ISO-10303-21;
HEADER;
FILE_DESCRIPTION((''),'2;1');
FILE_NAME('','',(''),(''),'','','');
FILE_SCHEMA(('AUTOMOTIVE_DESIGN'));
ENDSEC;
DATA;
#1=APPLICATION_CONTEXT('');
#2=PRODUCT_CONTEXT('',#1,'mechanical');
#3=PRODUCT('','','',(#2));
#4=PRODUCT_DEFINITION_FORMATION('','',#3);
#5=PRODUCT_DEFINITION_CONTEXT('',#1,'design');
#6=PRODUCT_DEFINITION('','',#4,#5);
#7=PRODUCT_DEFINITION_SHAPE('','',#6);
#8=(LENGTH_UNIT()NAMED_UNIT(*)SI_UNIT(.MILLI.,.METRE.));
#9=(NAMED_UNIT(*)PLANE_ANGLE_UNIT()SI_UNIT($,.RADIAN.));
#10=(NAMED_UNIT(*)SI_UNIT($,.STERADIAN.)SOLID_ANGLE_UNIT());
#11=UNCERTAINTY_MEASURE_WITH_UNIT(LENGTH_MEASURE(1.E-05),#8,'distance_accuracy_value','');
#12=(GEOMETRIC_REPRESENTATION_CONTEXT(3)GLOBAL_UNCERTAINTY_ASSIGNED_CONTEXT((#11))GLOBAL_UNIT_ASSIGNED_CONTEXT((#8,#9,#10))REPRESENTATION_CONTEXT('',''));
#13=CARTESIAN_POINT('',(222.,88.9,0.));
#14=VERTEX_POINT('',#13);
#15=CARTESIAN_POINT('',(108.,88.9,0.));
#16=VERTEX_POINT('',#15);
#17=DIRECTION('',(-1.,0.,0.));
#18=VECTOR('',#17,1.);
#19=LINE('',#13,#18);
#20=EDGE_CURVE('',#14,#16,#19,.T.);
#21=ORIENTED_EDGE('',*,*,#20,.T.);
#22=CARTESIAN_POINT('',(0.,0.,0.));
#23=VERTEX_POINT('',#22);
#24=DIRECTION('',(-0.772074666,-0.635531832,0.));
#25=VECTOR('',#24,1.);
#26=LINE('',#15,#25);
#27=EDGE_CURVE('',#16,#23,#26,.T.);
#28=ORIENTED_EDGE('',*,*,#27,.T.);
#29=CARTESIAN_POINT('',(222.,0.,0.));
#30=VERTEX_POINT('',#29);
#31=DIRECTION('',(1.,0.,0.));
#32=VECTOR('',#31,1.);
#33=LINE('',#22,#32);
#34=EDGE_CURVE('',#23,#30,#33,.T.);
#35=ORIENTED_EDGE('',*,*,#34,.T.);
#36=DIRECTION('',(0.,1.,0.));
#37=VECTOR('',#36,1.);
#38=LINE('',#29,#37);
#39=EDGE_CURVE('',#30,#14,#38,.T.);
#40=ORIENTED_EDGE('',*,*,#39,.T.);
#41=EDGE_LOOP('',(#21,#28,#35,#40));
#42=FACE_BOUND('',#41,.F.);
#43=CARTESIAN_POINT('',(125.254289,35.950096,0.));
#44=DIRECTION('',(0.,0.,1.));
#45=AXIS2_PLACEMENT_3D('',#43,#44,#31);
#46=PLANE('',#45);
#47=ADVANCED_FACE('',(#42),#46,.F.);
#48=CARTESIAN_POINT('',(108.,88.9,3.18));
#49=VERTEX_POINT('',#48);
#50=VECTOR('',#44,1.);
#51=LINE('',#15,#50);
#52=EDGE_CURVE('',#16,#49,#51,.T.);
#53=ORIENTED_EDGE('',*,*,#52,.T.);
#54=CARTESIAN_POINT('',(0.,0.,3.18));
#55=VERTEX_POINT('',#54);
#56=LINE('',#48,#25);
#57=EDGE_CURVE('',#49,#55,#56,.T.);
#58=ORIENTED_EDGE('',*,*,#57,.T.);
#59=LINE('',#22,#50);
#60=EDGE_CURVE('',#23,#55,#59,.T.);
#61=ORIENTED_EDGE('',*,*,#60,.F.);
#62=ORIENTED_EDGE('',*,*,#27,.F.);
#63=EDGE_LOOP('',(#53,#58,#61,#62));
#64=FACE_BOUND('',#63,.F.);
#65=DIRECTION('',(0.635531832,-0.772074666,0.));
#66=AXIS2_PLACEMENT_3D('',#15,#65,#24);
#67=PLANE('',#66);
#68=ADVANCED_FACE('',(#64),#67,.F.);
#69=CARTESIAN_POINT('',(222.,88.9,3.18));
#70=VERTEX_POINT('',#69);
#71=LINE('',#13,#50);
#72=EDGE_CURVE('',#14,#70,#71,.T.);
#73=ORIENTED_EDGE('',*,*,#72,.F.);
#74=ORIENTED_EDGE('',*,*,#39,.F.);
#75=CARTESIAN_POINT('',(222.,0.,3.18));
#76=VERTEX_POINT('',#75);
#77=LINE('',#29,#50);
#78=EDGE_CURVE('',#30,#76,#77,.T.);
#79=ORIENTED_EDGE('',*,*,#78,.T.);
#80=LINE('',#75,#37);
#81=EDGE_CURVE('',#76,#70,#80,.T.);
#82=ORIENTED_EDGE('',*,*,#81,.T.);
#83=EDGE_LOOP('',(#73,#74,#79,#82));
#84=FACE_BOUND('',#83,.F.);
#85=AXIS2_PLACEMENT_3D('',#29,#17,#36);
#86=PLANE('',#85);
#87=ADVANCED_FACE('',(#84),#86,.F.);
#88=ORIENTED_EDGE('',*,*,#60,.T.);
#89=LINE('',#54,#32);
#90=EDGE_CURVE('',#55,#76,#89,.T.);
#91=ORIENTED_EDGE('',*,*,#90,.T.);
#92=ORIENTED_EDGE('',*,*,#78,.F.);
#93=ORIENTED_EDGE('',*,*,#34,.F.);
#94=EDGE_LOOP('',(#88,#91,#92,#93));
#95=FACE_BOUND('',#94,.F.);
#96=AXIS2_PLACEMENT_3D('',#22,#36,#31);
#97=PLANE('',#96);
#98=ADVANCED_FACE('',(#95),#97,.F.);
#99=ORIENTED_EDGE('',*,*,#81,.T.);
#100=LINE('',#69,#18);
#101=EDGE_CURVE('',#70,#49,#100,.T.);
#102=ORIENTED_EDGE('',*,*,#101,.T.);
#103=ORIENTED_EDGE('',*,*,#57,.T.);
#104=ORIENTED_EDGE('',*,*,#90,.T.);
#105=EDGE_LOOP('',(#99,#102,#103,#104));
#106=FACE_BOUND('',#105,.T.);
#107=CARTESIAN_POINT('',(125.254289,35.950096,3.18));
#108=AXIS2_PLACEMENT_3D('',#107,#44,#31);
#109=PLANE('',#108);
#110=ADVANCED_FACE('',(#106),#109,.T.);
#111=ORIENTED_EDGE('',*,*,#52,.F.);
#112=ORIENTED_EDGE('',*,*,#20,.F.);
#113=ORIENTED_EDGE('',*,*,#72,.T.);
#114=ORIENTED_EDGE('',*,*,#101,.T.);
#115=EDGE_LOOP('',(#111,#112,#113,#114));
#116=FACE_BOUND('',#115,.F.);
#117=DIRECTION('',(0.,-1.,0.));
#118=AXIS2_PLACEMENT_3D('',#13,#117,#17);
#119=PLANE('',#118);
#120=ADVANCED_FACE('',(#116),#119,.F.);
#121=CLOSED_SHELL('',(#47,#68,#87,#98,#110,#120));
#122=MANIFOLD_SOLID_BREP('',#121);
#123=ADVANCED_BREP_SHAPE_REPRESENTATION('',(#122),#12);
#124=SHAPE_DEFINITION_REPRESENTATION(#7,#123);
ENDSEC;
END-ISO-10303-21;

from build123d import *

# Parameters (mm, degrees)
PAD_DEPTH = 3.18


with BuildPart() as part:
    # Sketch → Pad (new body)
    with BuildSketch(Plane.XY):
        Polygon((0, 0), (222, 0), (222, 88.9), (108, 88.9), align=None)
    extrude(amount=PAD_DEPTH)


solid = part.part
